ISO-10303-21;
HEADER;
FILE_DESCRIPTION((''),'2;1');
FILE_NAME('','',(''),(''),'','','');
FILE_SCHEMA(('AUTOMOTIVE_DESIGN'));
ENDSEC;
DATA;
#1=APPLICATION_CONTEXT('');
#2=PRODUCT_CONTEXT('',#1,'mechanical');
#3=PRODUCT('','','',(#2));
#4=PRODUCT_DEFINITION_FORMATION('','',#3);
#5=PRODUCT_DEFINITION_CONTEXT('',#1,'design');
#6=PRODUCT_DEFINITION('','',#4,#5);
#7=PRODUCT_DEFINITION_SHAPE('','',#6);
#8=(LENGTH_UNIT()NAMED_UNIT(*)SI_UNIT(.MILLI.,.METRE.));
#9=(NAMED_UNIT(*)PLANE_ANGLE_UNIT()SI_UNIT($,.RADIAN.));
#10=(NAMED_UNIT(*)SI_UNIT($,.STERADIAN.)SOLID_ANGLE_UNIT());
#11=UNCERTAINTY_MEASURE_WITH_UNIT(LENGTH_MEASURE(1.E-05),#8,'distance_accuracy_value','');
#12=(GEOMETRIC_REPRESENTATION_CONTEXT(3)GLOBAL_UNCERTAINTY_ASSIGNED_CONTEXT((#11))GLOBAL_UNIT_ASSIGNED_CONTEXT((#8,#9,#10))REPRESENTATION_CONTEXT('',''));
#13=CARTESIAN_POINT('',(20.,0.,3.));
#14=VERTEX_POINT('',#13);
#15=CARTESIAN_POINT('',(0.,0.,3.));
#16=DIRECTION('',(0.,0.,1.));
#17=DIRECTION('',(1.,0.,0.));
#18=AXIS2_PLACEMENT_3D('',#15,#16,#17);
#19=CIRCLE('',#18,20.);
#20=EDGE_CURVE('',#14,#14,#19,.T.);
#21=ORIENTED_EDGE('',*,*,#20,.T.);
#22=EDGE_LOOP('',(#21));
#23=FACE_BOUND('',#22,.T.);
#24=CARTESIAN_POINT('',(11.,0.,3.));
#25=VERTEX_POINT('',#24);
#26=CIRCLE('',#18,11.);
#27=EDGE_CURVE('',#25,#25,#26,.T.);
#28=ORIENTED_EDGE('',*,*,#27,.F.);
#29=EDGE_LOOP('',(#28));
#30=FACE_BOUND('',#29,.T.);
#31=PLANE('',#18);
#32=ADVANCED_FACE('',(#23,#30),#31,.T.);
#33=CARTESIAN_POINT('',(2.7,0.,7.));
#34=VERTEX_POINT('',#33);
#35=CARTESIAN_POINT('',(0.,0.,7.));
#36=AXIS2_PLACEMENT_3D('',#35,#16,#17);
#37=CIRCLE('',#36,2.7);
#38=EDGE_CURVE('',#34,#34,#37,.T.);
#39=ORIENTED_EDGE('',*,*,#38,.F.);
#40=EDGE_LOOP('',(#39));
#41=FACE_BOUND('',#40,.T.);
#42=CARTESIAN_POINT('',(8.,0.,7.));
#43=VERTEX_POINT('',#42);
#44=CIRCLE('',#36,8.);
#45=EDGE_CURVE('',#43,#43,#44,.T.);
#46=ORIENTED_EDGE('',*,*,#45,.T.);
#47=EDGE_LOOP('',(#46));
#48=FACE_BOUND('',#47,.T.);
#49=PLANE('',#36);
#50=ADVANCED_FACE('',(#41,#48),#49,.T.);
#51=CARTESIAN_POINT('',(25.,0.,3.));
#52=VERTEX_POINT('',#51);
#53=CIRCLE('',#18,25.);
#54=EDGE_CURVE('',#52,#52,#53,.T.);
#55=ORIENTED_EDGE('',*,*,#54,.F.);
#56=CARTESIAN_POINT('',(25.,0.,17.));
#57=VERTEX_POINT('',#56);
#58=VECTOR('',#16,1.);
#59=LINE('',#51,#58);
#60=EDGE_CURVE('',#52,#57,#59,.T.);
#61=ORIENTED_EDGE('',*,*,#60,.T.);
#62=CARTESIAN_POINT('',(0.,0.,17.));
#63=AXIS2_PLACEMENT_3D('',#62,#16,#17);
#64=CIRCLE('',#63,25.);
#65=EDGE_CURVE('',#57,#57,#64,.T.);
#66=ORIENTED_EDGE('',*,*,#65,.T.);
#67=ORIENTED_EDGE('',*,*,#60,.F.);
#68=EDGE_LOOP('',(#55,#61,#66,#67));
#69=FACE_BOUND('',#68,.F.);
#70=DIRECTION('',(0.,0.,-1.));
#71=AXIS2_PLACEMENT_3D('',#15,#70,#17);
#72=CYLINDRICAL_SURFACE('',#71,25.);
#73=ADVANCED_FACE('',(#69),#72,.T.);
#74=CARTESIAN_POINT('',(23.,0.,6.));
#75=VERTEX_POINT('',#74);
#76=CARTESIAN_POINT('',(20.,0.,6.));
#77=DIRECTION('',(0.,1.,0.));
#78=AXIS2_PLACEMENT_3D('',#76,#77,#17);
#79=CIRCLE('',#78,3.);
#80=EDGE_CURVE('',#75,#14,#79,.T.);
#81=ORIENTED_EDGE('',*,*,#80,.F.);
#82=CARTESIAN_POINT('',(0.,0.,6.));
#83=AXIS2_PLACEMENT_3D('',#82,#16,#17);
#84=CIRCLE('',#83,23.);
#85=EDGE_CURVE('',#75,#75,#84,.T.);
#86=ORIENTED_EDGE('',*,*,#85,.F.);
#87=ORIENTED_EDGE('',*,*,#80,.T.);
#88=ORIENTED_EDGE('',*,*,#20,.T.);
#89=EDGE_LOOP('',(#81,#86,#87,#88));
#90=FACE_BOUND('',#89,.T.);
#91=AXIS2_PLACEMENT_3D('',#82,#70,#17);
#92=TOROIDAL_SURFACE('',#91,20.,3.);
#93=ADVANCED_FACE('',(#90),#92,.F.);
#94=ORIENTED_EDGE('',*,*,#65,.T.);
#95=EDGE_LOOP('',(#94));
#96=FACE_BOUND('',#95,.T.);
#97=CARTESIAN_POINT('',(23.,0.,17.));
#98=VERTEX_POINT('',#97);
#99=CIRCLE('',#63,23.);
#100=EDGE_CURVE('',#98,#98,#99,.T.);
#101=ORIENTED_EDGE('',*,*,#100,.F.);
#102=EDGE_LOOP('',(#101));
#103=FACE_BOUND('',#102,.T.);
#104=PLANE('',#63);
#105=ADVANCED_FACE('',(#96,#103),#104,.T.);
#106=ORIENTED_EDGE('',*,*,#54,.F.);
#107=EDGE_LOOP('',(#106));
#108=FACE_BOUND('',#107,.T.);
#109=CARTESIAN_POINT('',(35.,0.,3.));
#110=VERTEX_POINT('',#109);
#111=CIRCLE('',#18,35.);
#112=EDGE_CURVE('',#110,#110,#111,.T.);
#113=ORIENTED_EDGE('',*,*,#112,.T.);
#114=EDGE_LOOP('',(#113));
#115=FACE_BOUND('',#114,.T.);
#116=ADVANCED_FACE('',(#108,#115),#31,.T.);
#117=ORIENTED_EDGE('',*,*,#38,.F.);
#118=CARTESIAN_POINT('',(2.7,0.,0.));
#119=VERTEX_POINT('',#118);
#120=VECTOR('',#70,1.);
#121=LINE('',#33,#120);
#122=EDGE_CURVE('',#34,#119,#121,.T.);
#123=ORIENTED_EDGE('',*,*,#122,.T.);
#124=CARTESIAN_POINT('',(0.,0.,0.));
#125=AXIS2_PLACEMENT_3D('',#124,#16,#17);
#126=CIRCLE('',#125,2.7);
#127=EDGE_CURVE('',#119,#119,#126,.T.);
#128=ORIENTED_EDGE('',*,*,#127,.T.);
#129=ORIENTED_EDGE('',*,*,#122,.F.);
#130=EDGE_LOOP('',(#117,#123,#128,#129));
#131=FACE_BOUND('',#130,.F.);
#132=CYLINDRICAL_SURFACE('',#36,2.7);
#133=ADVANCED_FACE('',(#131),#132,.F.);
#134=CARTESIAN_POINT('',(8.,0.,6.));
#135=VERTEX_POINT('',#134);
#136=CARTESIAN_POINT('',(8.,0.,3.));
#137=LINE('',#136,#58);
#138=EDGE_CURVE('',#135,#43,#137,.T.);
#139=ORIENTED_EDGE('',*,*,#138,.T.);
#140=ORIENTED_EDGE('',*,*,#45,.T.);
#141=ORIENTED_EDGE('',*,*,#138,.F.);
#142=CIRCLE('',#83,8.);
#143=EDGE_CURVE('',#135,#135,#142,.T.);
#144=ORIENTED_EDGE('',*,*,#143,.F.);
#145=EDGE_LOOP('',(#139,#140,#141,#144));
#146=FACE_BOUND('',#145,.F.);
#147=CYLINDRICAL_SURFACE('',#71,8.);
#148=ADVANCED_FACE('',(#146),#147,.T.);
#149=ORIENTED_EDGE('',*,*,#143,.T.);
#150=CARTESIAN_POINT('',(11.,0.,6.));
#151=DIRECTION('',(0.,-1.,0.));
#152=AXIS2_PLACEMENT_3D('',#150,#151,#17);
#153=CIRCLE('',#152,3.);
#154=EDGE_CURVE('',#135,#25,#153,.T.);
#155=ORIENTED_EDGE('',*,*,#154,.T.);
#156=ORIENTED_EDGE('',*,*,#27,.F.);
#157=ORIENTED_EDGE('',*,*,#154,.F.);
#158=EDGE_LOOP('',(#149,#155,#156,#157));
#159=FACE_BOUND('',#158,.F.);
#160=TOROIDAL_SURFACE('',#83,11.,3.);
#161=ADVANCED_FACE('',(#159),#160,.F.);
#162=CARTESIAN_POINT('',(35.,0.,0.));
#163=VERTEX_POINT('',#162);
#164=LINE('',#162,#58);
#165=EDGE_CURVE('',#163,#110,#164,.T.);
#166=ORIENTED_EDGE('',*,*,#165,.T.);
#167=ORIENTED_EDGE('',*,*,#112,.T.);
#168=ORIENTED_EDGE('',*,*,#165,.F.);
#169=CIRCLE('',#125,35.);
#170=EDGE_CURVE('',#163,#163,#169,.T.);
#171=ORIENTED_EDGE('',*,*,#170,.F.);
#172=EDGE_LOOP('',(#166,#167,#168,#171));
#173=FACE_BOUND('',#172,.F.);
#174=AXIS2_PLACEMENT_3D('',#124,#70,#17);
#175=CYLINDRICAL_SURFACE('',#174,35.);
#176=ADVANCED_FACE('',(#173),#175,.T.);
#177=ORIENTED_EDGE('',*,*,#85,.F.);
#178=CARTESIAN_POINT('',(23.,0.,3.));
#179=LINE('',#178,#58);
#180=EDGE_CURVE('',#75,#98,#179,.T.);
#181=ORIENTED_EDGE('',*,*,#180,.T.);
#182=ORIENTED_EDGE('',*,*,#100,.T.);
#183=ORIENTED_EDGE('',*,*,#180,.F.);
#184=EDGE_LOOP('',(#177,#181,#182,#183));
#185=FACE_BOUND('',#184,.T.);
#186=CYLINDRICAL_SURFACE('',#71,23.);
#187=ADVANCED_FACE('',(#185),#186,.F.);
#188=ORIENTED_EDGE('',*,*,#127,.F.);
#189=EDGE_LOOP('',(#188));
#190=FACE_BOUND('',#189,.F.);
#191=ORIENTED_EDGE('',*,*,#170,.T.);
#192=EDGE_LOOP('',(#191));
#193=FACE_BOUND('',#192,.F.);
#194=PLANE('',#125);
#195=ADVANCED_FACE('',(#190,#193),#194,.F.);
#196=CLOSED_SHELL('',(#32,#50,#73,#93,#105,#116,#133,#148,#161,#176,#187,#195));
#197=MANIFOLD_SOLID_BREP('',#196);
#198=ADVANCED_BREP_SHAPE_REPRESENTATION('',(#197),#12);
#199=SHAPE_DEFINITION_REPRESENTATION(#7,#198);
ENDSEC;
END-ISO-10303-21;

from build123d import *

# Parameters (mm, degrees)
F0_R     = 35
F1_DEPTH = 3
F2_R     = 25
F2_R_2   = 23
F3_DEPTH = 14
F4_R     = 8
F5_DEPTH = 4
F6_R     = 2.7
F7_DEPTH = 25
F8_R     = 3


with BuildPart() as f1:
    # F0 (on Top) → F1 (new body)
    with BuildSketch(Plane.XY):
        Circle(F0_R)
    extrude(amount=F1_DEPTH)

    # F2 (on face) → F3 (join)
    with BuildSketch(Plane.XY.offset(3)):
        Circle(F2_R)
        Circle(F2_R_2, mode=Mode.SUBTRACT)
    extrude(amount=F3_DEPTH)

    # F4 (on face) → F5 (join)
    with BuildSketch(Plane.XY.offset(3)):
        Circle(F4_R)
    extrude(amount=F5_DEPTH)

    # F6 (on face) → F7 (cut)
    with BuildSketch(Plane.XY.offset(7)):
        Circle(F6_R)
    extrude(amount=-F7_DEPTH, mode=Mode.SUBTRACT)

    # F8
    f8_edges = [f1.edges().sort_by_distance(p)[0] for p in [
        (-23, 0, 3),
        (-8, 0, 3),
    ]]
    fillet(f8_edges, radius=F8_R)


solid = f1.part
